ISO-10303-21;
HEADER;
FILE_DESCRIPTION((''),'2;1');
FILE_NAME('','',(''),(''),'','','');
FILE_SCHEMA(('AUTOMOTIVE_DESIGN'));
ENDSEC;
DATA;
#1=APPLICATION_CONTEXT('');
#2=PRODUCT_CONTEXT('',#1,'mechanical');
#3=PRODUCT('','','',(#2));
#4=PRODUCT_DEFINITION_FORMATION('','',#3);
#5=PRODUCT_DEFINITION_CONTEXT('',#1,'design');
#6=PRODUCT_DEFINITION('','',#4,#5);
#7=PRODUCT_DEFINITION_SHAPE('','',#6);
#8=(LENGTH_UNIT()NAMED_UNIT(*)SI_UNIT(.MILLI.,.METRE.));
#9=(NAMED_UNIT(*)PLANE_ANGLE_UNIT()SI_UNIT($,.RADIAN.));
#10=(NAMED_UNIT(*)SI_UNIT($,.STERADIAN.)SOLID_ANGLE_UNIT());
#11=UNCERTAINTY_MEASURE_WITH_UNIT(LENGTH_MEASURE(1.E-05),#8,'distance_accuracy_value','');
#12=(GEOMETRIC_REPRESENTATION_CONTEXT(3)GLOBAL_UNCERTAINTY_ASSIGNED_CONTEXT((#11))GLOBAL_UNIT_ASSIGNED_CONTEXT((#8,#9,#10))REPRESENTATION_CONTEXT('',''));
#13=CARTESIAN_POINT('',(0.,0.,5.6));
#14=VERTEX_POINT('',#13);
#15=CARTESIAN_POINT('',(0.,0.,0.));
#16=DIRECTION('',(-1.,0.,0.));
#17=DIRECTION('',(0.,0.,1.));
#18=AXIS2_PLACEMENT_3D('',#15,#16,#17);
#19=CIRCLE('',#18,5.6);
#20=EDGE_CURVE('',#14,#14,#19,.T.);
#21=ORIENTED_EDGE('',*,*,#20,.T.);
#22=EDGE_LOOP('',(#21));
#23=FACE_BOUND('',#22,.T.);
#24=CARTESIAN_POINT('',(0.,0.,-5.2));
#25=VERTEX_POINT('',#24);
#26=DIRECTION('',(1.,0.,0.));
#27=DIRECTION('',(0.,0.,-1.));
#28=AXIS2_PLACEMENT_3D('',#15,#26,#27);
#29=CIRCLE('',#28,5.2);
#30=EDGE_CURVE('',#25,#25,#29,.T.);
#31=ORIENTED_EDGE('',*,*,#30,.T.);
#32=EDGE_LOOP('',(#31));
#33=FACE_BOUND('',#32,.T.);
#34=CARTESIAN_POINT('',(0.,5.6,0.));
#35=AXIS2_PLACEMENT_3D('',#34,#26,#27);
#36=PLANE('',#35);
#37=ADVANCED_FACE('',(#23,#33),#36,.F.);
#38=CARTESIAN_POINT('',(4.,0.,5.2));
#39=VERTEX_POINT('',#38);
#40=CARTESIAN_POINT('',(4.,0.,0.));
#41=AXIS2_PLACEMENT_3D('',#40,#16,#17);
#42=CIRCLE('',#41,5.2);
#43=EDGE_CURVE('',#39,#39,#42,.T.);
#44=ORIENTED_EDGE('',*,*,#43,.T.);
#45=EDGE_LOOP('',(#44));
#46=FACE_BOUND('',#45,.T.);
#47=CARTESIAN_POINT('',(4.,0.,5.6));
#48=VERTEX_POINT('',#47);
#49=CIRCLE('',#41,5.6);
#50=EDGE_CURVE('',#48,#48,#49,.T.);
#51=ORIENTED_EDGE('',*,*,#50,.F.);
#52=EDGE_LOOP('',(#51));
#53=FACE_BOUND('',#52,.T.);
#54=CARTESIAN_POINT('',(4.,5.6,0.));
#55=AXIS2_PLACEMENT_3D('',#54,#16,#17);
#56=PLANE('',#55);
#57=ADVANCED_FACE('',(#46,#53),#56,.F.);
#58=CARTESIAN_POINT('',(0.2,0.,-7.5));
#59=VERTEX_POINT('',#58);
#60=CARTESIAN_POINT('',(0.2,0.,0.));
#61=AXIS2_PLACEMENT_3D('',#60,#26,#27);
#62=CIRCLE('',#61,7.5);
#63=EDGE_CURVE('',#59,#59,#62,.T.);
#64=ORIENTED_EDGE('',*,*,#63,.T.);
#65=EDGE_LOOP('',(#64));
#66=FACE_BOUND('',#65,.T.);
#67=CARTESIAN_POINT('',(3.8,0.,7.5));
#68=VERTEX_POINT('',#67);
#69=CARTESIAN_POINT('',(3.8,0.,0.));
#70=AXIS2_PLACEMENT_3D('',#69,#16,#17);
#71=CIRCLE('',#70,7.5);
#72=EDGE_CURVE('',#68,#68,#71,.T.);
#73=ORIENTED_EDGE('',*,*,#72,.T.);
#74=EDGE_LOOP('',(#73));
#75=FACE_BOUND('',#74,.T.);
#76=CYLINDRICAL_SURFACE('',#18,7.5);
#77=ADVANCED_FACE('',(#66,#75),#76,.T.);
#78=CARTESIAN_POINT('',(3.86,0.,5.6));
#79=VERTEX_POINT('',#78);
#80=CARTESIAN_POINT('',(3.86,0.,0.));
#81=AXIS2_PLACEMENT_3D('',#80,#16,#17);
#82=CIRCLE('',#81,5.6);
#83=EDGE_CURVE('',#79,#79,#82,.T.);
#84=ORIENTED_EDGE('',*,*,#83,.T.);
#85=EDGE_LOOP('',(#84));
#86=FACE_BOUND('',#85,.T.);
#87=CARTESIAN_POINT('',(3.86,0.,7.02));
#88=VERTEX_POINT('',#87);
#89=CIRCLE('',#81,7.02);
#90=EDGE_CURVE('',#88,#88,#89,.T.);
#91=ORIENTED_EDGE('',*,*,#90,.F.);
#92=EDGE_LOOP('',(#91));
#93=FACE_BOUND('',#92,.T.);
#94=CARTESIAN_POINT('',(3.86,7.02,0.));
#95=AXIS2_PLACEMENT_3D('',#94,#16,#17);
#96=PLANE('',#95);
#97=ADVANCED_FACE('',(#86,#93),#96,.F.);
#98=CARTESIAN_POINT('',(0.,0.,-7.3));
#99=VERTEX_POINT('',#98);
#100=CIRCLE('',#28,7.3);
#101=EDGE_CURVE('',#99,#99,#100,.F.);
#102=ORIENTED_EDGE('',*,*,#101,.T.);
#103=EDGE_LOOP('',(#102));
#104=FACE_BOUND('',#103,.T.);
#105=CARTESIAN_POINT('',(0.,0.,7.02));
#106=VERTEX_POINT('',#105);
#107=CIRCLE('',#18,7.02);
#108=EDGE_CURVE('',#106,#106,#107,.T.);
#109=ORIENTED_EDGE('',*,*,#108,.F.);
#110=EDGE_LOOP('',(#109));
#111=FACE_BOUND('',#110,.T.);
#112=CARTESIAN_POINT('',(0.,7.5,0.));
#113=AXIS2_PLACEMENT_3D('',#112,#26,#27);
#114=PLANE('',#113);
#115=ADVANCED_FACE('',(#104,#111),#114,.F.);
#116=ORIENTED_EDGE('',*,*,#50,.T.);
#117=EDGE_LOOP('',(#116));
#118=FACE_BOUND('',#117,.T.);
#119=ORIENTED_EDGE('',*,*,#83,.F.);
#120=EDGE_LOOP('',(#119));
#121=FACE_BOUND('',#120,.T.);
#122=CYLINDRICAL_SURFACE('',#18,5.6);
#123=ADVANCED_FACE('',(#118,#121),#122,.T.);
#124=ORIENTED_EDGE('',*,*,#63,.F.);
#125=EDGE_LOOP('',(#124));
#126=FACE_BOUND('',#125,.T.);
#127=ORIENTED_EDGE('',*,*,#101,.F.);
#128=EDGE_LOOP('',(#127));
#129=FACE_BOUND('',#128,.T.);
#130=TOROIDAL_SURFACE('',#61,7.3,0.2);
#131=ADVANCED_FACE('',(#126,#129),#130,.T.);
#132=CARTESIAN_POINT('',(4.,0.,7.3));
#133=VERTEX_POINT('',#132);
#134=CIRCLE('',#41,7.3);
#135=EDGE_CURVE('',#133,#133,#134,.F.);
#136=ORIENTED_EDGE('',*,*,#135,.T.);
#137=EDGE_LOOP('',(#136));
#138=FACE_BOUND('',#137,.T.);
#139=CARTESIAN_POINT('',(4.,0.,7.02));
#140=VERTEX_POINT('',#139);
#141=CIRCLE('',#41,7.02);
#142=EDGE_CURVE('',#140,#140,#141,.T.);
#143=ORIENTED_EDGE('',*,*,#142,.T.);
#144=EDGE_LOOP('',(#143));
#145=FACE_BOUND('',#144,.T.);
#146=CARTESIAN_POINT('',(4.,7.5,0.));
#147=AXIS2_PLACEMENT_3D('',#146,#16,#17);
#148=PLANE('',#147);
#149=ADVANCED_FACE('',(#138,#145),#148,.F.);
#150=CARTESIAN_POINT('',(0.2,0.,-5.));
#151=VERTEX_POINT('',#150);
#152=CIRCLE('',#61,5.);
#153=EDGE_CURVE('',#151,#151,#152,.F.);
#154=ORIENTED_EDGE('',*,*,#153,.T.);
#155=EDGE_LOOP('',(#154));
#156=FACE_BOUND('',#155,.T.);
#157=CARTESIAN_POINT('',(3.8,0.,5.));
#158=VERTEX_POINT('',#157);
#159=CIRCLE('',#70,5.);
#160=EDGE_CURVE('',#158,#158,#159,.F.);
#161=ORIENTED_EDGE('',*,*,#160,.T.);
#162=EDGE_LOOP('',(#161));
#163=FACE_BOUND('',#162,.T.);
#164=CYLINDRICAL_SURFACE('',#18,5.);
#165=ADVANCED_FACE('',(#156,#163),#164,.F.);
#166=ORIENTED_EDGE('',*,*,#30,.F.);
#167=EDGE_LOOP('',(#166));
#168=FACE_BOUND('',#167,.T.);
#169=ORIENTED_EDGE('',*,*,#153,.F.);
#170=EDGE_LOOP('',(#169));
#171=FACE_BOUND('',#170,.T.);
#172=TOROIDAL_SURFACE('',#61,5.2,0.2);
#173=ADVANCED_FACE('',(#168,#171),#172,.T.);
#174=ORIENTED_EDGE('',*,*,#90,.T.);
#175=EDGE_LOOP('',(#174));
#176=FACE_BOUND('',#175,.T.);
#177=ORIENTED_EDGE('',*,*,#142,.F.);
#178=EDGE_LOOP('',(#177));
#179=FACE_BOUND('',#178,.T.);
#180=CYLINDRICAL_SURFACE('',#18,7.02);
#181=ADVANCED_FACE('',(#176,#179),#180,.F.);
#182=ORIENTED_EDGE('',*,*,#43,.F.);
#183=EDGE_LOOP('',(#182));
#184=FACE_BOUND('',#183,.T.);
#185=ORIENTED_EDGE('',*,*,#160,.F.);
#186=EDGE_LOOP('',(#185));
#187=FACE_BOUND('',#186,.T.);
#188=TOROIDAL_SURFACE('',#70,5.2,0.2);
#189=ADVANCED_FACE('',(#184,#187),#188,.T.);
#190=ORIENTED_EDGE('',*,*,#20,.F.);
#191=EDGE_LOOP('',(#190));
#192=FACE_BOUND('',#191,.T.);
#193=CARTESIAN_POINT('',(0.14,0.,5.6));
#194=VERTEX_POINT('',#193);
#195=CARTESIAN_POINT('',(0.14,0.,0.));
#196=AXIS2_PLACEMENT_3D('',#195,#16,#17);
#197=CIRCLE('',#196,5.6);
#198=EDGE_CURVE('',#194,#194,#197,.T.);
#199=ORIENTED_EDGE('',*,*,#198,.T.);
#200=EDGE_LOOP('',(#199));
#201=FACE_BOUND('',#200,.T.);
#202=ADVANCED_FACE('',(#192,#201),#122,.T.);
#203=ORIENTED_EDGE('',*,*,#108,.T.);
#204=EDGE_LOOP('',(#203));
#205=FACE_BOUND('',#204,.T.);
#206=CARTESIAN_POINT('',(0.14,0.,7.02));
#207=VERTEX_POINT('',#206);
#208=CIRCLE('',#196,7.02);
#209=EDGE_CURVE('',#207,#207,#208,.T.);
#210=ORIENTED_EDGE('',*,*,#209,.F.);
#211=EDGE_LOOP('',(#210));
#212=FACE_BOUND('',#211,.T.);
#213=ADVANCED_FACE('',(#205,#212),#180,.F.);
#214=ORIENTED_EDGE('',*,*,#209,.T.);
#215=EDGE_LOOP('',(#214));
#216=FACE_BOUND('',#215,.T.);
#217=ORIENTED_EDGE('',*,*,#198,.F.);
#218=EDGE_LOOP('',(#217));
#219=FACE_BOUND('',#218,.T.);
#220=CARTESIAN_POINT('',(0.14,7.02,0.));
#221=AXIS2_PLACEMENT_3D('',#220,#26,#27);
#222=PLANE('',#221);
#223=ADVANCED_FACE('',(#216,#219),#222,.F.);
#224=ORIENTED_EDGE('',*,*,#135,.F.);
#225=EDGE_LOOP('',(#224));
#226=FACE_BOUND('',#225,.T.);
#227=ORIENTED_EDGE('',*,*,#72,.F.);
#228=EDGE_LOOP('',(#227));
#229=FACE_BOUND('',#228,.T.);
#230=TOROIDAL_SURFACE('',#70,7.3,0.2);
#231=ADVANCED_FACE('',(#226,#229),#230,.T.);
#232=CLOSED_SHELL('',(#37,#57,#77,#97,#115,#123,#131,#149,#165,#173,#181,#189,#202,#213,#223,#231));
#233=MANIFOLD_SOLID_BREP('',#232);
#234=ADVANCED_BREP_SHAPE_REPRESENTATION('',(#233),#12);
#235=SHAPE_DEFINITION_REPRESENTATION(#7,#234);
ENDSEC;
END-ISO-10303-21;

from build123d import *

# Parameters (mm, degrees)
FILLET1_R = 0.2
FILLET2_R = 0.2


with BuildPart() as part:
    # Sketch1 → Revolve1 (revolve)
    with BuildSketch(Plane.XY, mode=Mode.PRIVATE) as revolve1_sk:
        Polygon((0, 5), (4, 5), (4, 5.6), (3.86, 5.6), (3.86, 7.02), (4, 7.02), (4, 7.5), (0, 7.5), (0, 7.02), (0.14, 7.02), (0.14, 5.6), (0, 5.6), align=None)
    revolve(revolve1_sk.sketch.rotate(Axis((0, 0, 0), (1, 0, 0)), 90), axis=Axis((0, 0, 0), (1, 0, 0)))

    # Fillet1
    fillet1_edges = [part.edges().sort_by_distance(p)[0] for p in [
        (0, 0, -7.5),
        (4, 0, -7.5),
    ]]
    fillet(fillet1_edges, radius=FILLET1_R)

    # Fillet2
    fillet2_edges = [part.edges().sort_by_distance(p)[0] for p in [
        (4, 0, -5),
        (0, 0, -5),
    ]]
    fillet(fillet2_edges, radius=FILLET2_R)


solid = part.part
